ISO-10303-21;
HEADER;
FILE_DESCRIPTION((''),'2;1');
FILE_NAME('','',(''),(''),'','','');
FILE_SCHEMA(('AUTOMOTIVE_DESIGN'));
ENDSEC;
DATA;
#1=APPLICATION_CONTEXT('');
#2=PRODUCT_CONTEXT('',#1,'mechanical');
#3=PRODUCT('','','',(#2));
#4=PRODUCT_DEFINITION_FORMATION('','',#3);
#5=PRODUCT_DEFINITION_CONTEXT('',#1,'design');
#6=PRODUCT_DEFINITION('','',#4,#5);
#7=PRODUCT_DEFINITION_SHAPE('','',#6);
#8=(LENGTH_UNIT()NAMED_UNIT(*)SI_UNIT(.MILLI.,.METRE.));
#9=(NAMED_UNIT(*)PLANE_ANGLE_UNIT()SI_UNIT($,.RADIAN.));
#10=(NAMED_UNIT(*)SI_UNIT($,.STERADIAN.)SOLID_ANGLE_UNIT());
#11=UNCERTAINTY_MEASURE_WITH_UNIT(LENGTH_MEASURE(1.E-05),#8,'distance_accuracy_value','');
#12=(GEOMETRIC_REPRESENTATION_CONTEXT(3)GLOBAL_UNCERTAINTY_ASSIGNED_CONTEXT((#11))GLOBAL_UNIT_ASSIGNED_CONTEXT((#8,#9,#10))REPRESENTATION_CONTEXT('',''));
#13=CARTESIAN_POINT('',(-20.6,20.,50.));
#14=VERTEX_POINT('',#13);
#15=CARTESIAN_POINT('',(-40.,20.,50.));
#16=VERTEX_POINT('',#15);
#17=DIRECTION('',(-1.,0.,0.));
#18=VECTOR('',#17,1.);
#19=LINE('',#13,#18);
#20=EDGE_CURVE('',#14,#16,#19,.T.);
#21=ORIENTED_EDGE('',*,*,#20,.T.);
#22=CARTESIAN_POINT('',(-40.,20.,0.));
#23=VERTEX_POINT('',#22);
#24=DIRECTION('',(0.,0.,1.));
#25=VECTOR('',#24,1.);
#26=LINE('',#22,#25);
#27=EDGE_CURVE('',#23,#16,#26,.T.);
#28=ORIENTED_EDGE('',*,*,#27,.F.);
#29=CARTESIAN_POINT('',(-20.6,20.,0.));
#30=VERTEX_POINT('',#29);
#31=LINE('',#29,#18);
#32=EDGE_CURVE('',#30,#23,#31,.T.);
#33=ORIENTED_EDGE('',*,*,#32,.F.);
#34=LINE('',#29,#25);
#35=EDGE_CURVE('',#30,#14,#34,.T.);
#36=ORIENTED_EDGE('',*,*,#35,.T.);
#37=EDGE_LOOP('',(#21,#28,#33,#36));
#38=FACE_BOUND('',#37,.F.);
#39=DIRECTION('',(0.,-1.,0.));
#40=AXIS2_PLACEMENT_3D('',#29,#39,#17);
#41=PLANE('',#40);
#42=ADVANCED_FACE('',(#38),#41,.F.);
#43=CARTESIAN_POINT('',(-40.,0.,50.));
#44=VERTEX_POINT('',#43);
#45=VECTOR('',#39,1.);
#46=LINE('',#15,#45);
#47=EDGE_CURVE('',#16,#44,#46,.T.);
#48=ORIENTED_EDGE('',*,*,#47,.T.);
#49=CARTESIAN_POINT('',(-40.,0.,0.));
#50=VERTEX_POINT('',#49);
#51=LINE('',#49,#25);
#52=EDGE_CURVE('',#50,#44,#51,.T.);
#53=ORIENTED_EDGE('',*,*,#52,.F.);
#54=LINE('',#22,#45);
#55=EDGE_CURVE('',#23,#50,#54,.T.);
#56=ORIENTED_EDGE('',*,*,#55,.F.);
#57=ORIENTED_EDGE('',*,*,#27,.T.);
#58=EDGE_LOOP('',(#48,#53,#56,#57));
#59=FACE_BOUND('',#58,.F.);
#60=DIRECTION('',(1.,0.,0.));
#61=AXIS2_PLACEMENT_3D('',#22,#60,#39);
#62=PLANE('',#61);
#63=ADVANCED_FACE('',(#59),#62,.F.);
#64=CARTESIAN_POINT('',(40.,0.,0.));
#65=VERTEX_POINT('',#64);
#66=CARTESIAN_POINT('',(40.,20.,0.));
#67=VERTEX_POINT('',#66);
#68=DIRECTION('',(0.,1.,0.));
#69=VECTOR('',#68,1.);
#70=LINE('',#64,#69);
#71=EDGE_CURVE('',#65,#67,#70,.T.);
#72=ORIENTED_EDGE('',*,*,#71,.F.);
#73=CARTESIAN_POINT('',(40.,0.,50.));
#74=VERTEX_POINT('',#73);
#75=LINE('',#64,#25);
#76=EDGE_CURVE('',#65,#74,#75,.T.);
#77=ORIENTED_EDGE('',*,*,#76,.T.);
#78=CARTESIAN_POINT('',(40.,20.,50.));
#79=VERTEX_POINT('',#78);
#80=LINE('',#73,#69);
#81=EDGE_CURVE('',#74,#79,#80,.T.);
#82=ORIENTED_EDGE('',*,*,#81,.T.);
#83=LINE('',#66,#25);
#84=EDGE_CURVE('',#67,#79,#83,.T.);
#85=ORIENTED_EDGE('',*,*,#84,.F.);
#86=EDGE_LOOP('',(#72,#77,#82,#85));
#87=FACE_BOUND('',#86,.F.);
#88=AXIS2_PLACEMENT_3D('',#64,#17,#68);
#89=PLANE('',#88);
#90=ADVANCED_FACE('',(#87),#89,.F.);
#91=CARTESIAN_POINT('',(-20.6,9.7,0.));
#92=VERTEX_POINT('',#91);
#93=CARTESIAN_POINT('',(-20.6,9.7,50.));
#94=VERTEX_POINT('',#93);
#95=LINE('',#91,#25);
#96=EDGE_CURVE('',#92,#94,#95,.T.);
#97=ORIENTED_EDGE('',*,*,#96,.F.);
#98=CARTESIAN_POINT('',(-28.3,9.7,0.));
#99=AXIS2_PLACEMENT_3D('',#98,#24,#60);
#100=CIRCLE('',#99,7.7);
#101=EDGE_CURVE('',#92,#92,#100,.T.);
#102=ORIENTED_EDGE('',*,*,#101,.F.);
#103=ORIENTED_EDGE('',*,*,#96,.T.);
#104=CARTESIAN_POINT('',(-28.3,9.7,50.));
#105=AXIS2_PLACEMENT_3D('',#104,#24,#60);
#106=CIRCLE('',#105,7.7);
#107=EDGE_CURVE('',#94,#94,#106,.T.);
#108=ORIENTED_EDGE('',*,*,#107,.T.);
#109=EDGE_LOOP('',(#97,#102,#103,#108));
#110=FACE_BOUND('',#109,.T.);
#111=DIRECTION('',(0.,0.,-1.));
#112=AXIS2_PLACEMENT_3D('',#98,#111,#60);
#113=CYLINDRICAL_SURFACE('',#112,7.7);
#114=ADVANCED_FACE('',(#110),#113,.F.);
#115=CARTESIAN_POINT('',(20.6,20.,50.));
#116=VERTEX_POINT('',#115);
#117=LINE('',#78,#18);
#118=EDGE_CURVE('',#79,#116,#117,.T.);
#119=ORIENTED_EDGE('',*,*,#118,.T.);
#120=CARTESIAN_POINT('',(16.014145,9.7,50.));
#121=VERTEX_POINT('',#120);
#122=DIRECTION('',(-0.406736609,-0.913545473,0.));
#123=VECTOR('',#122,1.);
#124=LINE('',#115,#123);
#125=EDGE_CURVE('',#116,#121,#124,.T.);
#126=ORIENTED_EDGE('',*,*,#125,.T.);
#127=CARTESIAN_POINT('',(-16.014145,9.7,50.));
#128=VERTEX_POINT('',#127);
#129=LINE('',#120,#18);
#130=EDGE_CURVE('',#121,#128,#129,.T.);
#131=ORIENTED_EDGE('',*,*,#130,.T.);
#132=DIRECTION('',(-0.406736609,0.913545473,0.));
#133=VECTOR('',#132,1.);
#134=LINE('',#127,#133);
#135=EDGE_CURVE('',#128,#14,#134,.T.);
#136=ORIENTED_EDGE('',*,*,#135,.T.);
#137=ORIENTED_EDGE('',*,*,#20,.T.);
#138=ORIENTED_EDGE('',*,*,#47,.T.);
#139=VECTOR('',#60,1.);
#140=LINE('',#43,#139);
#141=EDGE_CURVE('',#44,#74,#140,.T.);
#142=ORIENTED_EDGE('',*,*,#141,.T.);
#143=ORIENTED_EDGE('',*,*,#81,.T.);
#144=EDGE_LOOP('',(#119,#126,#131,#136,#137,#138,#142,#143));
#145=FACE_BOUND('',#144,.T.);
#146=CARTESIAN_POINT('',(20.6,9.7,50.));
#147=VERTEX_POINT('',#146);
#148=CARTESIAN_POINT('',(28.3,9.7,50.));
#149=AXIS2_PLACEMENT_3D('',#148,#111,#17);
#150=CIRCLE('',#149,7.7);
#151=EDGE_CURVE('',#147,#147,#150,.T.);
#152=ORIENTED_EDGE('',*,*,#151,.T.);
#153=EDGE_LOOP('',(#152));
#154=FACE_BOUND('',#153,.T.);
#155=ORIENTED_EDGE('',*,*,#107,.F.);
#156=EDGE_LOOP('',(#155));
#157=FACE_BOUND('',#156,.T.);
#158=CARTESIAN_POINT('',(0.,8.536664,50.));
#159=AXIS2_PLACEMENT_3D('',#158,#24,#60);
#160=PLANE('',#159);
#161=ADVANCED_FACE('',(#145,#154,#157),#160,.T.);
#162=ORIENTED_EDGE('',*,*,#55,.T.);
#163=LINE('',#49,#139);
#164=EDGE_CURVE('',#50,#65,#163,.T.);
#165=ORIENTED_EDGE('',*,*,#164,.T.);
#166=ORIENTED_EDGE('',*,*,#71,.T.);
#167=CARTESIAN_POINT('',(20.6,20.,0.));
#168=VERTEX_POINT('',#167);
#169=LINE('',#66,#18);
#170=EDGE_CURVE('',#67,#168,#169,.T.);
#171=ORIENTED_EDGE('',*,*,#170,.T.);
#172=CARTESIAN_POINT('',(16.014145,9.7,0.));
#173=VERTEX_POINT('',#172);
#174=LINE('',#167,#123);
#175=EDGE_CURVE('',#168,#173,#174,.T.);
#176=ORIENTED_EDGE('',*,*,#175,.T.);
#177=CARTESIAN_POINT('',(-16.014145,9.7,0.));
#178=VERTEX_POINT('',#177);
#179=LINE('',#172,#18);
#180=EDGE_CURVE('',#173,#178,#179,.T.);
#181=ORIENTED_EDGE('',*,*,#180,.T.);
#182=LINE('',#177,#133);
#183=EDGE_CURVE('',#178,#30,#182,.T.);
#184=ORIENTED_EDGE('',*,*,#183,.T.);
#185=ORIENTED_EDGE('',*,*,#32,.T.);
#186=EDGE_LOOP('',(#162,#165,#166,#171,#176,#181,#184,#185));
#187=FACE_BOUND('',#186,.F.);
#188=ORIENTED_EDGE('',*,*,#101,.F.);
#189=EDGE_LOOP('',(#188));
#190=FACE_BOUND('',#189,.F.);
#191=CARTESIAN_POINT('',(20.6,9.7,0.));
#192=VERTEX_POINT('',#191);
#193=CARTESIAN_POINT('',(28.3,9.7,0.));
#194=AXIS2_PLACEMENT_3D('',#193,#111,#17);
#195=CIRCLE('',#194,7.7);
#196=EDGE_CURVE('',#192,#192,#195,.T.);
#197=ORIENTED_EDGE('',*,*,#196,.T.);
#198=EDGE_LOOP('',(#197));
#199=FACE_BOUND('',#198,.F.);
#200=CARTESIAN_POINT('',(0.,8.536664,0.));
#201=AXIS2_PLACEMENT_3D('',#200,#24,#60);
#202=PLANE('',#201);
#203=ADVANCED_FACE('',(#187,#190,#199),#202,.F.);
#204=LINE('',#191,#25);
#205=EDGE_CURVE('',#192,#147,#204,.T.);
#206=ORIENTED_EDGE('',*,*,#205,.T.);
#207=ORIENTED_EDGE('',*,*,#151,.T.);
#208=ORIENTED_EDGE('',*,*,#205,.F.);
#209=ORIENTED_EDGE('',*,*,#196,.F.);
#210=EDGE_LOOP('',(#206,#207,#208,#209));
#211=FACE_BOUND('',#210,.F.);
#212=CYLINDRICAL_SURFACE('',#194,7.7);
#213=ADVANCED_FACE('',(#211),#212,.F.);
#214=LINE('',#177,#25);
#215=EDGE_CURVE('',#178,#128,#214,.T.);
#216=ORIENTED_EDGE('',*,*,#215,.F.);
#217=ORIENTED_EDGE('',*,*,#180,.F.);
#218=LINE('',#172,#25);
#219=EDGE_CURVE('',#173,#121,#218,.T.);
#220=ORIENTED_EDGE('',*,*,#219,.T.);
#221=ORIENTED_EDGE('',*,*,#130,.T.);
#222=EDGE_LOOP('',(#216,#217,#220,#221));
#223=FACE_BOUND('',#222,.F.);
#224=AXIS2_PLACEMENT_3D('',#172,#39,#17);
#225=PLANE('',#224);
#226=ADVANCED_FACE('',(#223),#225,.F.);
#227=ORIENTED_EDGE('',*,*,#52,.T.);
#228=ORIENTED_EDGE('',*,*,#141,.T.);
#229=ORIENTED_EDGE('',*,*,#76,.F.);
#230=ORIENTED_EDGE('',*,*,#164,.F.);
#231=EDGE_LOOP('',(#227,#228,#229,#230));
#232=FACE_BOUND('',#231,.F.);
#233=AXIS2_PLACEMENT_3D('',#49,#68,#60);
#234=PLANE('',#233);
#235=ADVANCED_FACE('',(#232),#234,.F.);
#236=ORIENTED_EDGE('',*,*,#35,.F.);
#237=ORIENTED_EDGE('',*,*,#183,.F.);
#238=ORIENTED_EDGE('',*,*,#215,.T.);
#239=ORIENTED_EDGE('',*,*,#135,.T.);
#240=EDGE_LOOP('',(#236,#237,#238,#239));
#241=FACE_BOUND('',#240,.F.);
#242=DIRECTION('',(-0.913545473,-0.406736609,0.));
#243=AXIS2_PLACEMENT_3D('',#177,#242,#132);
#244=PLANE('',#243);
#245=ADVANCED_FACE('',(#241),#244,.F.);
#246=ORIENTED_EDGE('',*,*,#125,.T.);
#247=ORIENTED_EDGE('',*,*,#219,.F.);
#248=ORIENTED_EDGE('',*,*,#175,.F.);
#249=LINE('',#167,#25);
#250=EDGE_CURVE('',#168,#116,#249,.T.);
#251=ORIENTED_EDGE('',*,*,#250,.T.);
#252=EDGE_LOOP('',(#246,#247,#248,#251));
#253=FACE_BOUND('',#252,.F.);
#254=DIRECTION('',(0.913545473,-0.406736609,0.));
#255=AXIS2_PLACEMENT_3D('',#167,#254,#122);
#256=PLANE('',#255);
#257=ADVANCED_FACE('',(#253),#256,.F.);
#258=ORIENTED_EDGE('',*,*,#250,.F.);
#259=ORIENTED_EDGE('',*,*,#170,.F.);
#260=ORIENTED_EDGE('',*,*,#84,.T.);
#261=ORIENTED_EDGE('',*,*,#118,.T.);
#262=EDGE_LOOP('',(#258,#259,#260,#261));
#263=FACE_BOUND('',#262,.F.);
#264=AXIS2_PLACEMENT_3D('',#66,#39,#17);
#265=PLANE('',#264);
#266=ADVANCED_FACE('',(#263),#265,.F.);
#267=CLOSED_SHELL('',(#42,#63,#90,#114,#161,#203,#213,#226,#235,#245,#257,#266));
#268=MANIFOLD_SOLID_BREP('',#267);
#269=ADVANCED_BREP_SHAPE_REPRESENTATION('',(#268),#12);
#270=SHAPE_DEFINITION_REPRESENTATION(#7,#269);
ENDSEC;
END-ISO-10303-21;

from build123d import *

# Parameters (mm, degrees)
F0_R     = 7.7
F1_DEPTH = 50


with BuildPart() as f1:
    # F0 (on Top) → F1 (new body)
    with BuildSketch(Plane.XY):
        Polygon((-40, 20), (-40, 0), (40, 0), (40, 20), (20.6, 20), (16.014145, 9.7), (-16.014145, 9.7), (-20.6, 20), align=None)
        with Locations((-28.3, 9.7)):
            Circle(F0_R, mode=Mode.SUBTRACT)
        with BuildLine():
            ThreePointArc((36, 9.7), (28.3, 2), (20.6, 9.7))
            ThreePointArc((20.6, 9.7), (28.3, 17.4), (36, 9.7))
        make_face(mode=Mode.SUBTRACT)
    extrude(amount=F1_DEPTH)


solid = f1.part
